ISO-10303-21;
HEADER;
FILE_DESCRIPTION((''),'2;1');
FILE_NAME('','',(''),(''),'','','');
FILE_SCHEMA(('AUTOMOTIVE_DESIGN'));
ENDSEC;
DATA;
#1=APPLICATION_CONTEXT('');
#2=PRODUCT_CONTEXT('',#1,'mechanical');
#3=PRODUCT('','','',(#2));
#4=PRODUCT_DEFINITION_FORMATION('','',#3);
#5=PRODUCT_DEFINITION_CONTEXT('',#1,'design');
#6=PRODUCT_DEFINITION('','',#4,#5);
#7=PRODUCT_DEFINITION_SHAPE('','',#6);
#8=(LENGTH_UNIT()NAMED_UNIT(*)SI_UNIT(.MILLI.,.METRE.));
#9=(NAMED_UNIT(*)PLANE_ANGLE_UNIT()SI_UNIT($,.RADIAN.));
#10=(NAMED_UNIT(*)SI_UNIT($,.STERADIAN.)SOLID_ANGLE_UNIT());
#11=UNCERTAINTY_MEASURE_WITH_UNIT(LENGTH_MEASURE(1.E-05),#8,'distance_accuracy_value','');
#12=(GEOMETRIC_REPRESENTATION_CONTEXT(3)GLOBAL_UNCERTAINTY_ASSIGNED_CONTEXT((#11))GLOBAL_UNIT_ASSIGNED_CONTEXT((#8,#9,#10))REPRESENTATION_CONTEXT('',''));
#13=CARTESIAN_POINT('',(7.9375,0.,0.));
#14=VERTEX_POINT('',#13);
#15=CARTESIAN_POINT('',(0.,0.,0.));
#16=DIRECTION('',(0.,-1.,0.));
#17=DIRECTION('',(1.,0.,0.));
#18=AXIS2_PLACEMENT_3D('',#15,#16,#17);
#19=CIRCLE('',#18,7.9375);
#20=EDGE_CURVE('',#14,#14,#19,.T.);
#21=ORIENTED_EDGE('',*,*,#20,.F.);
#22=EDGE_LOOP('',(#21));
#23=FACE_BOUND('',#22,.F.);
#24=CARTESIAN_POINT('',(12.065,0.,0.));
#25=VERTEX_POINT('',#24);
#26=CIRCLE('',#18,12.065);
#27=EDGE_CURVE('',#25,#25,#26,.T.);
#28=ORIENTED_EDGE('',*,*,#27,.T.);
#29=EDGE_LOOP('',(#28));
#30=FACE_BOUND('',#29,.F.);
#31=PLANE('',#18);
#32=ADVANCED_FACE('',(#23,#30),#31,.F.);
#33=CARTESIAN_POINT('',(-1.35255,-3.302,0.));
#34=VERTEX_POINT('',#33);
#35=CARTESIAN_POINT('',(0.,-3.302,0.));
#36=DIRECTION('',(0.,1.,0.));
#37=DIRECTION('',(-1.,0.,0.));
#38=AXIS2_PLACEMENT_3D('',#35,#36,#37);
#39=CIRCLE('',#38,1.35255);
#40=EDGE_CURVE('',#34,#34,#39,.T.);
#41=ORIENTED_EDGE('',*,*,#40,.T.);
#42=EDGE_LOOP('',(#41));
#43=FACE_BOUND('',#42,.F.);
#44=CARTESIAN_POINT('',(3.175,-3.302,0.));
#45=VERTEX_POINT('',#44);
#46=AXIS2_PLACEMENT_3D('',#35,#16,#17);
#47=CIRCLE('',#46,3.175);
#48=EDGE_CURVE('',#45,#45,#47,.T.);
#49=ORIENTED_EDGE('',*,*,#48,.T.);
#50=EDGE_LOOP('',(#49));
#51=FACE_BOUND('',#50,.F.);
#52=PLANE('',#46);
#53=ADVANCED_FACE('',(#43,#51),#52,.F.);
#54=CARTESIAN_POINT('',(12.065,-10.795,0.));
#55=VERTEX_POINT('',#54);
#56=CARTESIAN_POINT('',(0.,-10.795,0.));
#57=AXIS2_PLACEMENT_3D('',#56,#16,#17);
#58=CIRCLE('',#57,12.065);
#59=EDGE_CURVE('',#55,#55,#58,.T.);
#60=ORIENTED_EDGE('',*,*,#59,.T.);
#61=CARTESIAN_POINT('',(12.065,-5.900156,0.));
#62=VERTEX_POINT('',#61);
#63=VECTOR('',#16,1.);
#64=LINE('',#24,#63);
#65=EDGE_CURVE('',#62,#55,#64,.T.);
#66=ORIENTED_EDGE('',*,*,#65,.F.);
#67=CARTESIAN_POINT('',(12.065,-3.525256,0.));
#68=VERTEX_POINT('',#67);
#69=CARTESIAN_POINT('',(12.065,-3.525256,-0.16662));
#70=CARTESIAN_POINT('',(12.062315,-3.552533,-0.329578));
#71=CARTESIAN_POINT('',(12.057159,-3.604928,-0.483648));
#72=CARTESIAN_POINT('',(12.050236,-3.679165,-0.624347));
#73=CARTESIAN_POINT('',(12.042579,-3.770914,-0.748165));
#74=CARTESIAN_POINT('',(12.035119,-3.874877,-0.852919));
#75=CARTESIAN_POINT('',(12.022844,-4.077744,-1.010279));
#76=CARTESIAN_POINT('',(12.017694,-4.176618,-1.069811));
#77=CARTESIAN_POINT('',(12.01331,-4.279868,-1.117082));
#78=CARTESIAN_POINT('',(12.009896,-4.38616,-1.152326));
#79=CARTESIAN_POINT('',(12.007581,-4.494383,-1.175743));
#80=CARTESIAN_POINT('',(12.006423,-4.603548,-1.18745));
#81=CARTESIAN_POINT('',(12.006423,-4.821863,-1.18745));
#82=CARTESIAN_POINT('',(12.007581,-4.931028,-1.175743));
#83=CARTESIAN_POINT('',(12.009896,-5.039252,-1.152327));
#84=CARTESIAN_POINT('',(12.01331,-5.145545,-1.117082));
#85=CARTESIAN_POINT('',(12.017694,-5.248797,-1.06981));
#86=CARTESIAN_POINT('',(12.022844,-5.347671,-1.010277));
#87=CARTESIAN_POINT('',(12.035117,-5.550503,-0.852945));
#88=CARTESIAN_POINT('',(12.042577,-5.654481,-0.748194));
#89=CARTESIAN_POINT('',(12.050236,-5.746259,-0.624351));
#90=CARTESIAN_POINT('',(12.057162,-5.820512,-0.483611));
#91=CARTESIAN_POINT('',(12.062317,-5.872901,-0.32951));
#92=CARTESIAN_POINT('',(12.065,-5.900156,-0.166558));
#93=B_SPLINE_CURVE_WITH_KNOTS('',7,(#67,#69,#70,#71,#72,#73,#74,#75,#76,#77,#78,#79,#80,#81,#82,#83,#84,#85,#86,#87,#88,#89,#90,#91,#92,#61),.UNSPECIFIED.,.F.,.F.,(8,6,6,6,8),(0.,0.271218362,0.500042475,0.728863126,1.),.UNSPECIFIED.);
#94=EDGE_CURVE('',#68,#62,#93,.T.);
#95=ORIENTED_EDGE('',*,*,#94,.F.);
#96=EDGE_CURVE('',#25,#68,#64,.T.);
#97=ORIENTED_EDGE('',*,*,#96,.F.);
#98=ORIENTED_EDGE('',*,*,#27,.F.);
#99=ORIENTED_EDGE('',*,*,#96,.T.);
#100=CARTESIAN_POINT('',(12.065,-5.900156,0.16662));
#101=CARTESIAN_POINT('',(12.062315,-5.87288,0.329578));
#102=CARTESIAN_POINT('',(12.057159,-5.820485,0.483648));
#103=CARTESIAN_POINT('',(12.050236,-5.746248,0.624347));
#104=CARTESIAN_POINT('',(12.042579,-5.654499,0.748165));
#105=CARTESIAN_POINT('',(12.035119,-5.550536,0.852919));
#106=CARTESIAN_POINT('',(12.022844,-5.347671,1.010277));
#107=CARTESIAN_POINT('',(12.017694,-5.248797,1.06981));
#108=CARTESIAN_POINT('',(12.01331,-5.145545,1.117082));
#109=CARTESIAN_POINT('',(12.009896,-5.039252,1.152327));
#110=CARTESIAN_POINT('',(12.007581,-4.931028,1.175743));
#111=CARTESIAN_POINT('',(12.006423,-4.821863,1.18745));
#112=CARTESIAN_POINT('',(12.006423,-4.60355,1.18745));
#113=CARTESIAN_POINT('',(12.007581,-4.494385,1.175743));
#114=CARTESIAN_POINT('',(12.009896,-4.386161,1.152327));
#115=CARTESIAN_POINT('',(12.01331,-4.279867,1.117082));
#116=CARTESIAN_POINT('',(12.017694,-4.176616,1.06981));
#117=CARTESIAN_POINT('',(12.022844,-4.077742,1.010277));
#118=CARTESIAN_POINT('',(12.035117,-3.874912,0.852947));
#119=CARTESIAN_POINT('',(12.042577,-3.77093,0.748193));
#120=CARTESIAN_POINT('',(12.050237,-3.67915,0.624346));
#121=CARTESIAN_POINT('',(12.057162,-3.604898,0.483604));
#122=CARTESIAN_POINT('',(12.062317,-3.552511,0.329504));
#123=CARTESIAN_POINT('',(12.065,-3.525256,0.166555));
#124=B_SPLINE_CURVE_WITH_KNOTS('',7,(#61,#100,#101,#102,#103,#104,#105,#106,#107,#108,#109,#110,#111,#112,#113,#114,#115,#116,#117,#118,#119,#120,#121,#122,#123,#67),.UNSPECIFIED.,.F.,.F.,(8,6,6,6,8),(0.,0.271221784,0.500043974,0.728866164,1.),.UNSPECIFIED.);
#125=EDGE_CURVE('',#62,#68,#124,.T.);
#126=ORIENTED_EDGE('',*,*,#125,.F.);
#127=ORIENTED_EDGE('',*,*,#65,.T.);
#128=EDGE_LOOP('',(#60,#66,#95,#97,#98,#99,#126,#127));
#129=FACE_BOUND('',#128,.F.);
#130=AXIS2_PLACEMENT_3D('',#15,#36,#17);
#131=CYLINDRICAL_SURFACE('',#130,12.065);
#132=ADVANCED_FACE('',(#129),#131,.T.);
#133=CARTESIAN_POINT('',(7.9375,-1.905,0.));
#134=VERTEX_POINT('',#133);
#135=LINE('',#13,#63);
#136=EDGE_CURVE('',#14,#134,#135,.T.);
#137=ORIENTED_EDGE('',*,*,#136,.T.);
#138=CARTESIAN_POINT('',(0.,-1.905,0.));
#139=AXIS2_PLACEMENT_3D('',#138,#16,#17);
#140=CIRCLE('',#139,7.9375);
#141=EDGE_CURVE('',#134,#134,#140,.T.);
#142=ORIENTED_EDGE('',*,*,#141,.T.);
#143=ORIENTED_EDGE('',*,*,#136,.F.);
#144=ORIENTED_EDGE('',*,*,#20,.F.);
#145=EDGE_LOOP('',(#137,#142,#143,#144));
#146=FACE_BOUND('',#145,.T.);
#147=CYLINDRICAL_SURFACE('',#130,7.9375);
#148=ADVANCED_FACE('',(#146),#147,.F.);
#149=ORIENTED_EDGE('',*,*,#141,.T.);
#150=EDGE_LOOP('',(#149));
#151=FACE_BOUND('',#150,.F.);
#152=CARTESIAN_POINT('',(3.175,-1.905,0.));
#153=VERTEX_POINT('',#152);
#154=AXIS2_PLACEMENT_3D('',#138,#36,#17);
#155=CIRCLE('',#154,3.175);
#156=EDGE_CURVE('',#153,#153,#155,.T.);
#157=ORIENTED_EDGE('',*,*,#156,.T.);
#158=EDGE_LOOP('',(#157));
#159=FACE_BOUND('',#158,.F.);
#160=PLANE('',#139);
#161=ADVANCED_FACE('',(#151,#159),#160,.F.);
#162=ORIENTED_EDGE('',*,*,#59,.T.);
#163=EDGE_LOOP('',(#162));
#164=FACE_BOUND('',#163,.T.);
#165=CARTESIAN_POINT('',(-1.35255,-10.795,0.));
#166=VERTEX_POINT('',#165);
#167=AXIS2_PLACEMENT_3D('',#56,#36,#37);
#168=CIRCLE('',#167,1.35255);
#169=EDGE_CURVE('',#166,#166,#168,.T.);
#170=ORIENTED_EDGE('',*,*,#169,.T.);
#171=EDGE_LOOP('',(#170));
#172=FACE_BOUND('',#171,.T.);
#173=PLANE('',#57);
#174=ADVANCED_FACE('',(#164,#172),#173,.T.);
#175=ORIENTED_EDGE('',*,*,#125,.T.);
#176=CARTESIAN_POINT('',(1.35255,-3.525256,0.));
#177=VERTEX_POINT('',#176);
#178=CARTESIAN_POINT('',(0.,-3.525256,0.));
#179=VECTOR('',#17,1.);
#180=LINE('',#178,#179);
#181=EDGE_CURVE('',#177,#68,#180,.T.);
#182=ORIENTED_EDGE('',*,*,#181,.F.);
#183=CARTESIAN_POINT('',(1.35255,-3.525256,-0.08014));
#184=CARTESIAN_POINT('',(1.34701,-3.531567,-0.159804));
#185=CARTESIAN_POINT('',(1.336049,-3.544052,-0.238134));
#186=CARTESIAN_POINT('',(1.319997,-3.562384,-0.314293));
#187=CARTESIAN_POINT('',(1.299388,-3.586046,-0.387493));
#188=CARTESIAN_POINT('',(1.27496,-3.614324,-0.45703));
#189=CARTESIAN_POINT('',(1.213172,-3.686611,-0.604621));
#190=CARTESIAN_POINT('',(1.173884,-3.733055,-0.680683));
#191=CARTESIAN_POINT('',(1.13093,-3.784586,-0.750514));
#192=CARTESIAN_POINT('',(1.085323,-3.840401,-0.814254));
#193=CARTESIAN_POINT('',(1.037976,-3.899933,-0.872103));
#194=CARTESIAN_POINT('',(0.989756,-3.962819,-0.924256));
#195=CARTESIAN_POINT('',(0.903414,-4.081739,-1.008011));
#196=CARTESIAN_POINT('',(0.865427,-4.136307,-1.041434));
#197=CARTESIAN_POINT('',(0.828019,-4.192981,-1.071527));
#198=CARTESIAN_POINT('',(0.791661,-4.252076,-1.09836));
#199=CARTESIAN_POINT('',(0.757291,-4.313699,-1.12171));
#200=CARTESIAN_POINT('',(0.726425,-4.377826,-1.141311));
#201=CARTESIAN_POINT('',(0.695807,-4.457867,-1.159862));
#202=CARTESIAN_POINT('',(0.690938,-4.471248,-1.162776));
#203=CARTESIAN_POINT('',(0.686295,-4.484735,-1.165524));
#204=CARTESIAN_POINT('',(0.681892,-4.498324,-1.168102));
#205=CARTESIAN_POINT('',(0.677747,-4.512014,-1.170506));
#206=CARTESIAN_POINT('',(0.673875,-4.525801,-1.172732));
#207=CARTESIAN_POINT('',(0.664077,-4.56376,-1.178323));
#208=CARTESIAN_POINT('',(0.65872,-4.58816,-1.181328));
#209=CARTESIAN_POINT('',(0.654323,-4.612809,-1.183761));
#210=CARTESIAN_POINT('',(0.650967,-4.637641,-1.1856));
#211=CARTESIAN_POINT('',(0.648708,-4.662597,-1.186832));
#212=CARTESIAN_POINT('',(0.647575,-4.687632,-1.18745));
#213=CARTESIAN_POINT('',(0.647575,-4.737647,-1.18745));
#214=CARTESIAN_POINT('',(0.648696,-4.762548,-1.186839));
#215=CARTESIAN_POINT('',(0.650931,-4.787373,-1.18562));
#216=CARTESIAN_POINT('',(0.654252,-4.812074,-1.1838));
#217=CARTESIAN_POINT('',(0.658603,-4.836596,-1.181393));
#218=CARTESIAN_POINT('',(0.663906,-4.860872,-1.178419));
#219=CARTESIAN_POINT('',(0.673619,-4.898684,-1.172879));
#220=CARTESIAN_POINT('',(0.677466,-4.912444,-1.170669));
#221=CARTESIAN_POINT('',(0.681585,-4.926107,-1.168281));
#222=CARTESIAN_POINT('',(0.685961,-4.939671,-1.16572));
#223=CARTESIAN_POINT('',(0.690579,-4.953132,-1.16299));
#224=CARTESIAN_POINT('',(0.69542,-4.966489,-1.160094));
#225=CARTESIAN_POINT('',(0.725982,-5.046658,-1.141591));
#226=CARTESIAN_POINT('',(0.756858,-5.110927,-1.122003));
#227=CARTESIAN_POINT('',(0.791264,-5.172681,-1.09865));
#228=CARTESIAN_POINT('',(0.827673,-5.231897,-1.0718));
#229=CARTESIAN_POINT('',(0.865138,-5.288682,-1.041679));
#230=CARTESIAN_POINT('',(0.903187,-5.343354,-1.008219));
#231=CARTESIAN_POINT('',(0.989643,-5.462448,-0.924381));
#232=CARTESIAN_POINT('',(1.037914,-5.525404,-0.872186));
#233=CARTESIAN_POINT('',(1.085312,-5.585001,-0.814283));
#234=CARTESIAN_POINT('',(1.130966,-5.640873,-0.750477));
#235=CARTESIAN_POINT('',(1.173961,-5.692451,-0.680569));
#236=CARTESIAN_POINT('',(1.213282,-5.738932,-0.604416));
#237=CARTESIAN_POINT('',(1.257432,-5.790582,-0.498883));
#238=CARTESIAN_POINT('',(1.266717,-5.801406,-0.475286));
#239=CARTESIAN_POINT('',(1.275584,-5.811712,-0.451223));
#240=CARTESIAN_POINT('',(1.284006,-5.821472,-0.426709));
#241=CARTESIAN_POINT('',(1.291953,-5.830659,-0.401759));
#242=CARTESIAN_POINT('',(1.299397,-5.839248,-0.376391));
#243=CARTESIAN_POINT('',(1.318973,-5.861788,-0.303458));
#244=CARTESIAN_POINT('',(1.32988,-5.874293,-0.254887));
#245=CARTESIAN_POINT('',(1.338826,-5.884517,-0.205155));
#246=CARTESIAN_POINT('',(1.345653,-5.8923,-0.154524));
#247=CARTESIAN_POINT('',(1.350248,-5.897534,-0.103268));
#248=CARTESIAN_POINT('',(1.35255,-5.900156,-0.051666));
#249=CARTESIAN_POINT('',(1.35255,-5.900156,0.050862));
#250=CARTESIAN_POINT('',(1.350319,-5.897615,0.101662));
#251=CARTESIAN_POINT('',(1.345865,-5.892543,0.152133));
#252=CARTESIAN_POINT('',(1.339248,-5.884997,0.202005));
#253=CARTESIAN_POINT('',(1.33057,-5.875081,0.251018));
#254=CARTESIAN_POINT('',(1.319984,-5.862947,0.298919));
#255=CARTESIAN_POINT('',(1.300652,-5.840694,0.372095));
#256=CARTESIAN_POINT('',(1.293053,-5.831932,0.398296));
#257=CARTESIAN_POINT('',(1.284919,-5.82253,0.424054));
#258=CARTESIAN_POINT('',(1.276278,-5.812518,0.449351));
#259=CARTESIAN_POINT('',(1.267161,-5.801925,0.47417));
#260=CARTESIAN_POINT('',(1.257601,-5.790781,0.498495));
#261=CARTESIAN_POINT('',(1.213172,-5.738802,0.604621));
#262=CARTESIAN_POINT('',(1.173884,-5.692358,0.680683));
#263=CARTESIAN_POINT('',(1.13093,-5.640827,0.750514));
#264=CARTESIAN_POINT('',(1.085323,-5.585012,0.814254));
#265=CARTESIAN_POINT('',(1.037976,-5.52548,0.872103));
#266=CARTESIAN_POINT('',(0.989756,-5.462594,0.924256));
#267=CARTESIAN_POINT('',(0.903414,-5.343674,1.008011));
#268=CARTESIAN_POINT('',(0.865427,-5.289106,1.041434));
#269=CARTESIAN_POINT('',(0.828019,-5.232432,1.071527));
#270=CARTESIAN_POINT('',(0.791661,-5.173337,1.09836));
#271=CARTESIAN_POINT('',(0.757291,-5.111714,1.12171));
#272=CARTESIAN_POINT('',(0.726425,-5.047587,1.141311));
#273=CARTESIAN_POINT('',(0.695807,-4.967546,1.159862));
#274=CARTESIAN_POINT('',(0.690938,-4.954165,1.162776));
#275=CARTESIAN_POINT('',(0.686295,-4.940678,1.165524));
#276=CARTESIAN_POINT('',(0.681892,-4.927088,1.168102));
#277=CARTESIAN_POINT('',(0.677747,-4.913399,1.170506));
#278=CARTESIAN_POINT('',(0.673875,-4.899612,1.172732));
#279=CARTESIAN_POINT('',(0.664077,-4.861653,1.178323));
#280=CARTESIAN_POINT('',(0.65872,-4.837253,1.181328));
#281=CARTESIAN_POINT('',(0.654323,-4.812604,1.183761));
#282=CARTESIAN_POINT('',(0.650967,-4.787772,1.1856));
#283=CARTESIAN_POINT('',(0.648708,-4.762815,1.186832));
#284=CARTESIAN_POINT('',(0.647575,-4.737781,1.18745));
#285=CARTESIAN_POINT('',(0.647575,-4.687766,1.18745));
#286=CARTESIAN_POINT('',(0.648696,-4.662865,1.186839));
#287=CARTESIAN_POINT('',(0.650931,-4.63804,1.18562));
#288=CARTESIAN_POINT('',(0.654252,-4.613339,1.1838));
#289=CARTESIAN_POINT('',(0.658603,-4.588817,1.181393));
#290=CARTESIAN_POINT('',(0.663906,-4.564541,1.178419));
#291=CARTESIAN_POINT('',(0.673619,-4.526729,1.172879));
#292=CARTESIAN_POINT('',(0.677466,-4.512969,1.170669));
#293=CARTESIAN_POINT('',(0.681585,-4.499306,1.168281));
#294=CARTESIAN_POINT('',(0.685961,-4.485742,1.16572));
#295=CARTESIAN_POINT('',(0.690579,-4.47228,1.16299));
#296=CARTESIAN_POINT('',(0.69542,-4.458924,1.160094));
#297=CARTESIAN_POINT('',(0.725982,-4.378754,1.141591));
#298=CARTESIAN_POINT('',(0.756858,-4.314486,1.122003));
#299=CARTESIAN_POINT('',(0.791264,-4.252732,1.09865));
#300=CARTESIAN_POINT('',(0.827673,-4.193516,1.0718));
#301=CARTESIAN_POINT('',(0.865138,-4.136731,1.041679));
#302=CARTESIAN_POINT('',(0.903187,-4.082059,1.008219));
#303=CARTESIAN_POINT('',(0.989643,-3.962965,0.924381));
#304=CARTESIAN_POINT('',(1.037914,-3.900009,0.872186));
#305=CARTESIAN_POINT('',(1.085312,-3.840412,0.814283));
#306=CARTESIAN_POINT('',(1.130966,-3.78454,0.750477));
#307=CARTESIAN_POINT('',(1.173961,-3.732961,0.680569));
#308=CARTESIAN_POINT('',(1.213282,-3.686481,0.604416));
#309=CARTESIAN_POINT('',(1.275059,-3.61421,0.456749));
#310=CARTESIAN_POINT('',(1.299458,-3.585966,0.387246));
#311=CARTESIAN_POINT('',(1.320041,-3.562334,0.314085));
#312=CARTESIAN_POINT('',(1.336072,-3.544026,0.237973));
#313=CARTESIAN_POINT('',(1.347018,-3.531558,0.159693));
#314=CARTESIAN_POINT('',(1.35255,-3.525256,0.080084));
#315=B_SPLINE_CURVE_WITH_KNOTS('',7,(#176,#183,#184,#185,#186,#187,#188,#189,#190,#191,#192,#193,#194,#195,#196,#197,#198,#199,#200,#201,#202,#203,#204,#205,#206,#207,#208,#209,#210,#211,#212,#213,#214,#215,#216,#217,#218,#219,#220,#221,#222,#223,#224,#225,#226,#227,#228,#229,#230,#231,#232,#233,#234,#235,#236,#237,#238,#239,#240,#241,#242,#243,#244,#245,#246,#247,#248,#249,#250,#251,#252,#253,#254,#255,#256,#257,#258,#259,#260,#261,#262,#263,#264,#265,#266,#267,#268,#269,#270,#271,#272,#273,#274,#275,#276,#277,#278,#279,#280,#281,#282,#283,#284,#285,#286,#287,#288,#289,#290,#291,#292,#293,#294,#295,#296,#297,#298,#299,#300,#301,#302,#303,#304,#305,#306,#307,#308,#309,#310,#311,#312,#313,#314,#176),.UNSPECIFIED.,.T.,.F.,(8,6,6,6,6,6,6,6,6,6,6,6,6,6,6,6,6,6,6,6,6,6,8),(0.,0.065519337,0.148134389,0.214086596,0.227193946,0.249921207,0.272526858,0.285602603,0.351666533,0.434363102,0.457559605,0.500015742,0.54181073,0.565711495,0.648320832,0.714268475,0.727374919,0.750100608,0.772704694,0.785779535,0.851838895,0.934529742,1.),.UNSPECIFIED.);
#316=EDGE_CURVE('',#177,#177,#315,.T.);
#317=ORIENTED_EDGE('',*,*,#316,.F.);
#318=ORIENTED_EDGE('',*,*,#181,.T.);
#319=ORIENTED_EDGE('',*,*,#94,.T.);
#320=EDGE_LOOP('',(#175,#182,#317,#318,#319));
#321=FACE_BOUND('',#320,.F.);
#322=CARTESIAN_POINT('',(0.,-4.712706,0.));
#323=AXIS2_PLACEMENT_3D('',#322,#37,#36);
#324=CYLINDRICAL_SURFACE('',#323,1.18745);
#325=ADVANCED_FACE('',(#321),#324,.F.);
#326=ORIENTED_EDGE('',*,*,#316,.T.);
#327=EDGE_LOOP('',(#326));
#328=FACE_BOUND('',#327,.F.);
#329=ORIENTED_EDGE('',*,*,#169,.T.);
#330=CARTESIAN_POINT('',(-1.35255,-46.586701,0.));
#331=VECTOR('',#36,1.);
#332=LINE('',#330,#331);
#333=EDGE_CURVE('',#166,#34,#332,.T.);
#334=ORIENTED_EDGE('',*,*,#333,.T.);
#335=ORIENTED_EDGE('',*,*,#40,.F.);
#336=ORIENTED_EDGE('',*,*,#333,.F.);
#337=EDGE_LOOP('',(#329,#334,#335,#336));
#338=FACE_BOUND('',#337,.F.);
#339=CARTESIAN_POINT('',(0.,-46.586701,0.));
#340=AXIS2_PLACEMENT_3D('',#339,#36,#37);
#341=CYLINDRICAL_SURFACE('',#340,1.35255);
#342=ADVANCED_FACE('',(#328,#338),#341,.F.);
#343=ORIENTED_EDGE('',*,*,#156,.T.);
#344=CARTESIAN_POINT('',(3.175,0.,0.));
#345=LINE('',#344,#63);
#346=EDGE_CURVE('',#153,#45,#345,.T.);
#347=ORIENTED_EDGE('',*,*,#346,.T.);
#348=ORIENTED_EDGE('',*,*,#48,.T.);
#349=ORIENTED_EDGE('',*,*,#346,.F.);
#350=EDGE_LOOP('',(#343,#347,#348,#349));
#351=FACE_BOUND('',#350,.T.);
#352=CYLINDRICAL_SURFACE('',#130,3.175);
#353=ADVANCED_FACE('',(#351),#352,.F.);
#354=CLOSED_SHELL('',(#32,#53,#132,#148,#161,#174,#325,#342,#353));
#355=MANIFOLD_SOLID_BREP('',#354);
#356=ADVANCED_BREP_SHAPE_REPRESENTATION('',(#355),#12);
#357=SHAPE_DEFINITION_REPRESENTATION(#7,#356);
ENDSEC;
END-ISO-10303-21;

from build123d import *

# Parameters (mm, degrees)
F0_R     = 12.065
F1_DEPTH = 10.795
F2_R     = 7.9375
F3_DEPTH = 1.905
F4_R     = 3.175
F5_DEPTH = 3.302
F7_D     = 2.7051
F9_D     = 2.3749
F9_DEPTH = 12.066


with BuildPart() as f1:
    # F0 (on Front) → F1 (new body)
    with BuildSketch(Plane.XZ):
        Circle(F0_R)
    extrude(amount=F1_DEPTH)

    # F2 (on face) → F3 (cut)
    with BuildSketch(Plane.XZ):
        Circle(F2_R)
    extrude(amount=F3_DEPTH, mode=Mode.SUBTRACT)

    # F4 (on face) → F5 (cut)
    with BuildSketch(Plane.XZ):
        Circle(F4_R)
    extrude(amount=F5_DEPTH, mode=Mode.SUBTRACT)

    # F7 (through all)
    with Locations(Plane.XZ.offset(10.795)):
        with Locations((0, 0)):
            Hole(F7_D / 2)

    # F9 (through all, one way)
    with BuildSketch(Plane(origin=(0, 0, 0), x_dir=(0, 1, 0), z_dir=(-1, 0, 0))):
        with Locations((-4.7127064317, 0)):
            Circle(F9_D / 2)
    extrude(amount=-F9_DEPTH, mode=Mode.SUBTRACT)


solid = f1.part
